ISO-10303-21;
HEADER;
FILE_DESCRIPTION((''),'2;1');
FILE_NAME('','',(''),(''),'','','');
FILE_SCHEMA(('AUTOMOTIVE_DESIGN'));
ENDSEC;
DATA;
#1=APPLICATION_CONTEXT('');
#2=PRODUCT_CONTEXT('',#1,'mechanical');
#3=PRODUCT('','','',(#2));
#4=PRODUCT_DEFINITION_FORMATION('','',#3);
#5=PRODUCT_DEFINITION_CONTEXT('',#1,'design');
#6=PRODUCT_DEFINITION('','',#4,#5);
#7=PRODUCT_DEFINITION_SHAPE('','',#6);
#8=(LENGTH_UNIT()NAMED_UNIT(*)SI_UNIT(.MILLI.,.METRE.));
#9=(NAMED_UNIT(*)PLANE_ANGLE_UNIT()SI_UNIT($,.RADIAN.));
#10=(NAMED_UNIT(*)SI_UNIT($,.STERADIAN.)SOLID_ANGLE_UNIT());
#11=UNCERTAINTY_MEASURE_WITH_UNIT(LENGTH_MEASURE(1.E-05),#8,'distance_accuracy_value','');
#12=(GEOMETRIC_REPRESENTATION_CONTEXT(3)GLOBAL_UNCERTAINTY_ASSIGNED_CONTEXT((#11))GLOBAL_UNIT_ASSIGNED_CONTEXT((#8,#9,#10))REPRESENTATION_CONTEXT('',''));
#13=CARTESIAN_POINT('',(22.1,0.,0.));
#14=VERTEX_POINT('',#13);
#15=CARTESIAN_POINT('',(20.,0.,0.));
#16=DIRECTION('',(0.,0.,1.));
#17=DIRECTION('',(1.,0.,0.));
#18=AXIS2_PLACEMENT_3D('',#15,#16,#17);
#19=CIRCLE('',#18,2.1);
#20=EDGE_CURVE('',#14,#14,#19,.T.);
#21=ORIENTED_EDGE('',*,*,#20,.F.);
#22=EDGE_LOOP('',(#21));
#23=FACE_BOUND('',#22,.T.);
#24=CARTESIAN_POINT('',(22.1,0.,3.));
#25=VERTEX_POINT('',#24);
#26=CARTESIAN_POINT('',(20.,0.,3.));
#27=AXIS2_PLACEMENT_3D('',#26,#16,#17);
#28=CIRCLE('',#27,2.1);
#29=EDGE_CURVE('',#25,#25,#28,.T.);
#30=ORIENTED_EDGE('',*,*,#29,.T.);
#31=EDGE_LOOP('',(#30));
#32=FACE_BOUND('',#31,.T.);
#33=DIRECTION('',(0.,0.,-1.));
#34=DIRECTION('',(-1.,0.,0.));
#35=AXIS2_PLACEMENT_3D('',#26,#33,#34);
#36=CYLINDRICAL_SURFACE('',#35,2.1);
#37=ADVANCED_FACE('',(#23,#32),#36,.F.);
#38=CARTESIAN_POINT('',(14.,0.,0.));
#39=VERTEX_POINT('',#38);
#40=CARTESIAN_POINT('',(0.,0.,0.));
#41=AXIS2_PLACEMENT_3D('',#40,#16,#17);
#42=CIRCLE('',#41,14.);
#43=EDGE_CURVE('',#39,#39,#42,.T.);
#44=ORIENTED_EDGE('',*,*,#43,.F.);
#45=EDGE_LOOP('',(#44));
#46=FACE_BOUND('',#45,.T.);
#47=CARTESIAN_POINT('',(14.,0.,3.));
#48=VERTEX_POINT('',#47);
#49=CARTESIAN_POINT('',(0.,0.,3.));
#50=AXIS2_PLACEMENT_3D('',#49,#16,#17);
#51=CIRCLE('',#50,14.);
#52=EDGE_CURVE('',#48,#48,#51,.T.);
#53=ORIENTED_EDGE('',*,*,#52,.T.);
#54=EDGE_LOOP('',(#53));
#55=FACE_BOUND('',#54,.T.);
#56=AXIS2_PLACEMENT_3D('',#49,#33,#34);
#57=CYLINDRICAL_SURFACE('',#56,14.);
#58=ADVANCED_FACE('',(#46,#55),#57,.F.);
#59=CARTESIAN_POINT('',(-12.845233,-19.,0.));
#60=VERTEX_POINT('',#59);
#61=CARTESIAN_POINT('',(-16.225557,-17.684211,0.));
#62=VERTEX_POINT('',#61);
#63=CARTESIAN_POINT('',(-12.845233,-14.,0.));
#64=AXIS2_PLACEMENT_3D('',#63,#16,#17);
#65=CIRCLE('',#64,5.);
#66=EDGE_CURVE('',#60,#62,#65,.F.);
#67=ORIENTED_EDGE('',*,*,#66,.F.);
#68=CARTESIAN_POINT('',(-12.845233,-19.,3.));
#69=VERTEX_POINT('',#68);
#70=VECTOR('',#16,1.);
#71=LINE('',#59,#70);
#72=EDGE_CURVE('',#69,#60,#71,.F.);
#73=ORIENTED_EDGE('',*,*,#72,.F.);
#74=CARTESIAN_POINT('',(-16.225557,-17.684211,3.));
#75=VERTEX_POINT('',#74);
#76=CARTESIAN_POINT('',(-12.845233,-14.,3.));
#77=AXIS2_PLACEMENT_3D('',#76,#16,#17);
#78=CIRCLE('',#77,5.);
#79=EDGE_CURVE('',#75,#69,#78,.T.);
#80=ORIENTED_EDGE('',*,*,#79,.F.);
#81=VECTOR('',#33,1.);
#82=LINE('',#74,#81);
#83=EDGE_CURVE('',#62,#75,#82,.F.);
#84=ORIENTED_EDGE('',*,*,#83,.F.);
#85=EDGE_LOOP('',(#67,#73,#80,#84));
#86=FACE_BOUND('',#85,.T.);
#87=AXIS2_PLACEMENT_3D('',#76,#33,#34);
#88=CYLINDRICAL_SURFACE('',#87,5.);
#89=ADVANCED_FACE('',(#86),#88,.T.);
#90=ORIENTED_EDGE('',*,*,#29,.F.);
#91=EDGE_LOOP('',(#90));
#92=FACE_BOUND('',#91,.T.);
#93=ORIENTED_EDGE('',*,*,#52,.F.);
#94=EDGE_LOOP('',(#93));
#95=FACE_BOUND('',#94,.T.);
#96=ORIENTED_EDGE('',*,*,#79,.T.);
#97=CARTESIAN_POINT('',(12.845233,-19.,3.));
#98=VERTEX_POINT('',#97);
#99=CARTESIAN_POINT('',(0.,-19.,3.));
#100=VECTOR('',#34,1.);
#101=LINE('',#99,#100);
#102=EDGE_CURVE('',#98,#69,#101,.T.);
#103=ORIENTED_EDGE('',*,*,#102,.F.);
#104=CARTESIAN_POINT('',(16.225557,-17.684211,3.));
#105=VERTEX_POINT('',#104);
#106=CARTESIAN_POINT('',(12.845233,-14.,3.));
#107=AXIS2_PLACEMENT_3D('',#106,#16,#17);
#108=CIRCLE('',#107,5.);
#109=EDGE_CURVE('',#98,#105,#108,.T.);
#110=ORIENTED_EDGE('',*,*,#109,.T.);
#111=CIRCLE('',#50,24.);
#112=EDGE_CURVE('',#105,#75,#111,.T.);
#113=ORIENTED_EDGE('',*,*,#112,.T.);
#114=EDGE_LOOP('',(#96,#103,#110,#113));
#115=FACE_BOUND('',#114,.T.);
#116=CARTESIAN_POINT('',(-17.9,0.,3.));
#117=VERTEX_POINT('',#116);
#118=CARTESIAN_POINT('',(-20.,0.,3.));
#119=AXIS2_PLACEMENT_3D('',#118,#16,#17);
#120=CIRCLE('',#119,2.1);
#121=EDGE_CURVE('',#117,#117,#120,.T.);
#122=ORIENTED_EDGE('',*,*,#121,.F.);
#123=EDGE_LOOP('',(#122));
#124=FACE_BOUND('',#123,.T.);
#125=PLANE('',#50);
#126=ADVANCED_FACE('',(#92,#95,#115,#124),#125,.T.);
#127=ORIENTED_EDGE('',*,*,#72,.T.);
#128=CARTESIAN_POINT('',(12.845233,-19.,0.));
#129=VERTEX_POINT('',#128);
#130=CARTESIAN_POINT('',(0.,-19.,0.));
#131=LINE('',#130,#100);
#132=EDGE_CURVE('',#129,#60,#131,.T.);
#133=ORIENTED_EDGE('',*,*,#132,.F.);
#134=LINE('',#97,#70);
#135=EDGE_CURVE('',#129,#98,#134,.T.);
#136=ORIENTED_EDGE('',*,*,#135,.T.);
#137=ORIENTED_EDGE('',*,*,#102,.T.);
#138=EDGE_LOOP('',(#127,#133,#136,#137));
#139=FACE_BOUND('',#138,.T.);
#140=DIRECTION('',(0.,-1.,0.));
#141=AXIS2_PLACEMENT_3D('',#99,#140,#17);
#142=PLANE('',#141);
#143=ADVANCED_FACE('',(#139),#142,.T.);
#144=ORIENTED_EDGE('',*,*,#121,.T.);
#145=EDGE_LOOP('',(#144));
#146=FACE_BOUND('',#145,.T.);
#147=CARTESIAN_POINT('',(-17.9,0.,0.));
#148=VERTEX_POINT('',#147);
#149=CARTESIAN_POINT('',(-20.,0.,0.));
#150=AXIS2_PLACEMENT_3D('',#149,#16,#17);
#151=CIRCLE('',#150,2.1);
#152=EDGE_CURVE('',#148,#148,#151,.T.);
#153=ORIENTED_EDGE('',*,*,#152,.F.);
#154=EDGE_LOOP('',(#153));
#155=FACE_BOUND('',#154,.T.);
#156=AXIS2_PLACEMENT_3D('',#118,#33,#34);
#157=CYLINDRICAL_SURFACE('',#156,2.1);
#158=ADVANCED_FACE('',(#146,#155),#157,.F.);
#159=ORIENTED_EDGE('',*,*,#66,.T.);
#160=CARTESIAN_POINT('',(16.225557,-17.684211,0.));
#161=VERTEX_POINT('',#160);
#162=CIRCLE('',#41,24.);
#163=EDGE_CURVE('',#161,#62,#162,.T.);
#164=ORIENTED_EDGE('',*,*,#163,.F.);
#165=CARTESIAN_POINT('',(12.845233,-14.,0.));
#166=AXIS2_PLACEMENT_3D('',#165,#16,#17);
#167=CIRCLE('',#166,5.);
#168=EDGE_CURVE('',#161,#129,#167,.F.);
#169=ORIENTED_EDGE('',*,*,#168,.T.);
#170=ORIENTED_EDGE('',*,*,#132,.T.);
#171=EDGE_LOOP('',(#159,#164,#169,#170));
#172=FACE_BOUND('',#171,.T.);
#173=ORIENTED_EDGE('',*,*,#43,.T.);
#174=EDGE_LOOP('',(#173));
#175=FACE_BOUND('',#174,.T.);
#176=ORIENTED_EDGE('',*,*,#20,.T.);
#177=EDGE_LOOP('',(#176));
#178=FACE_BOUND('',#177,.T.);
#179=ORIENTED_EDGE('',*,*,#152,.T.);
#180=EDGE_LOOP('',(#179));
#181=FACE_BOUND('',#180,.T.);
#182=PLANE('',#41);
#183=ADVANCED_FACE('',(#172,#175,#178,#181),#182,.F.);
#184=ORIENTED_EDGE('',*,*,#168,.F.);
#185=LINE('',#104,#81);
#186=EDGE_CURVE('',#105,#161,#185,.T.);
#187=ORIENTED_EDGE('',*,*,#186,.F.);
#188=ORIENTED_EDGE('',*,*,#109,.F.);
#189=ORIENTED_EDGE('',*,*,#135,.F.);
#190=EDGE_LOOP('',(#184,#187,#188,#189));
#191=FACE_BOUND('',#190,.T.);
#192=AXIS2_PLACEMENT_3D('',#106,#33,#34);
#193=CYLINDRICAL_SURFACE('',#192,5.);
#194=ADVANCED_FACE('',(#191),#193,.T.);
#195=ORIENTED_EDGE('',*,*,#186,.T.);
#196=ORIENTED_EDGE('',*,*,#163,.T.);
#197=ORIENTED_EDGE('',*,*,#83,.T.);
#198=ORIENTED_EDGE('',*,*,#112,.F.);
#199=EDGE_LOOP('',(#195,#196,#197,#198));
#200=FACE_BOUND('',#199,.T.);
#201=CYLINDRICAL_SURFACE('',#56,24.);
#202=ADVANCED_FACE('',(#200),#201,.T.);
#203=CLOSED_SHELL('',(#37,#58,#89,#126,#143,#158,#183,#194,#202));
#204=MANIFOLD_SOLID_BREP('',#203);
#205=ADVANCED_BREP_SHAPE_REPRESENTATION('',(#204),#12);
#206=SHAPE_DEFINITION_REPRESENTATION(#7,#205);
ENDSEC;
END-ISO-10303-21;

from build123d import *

# Parameters (mm, degrees)
ESBO_O1_R                = 2.1
ESBO_O1_R_2              = 14
RESSALTO_EXTRUS_O1_DEPTH = 3
FILETE1_R                = 5


with BuildPart() as part:
    # Esboço1 → Ressalto-extrusão1 (new body)
    with BuildSketch(Plane.XY):
        with BuildLine():
            Line((-14.662878299, -19), (14.662878299, -19))
            ThreePointArc((14.662878299, -19), (21.539603979, -10.585152829), (24, 0))
            ThreePointArc((24, 0), (-10.585152829, 21.539603979), (-14.662878299, -19))
        make_face()
        with Locations((-20, 0)):
            Circle(ESBO_O1_R, mode=Mode.SUBTRACT)
        Circle(ESBO_O1_R_2, mode=Mode.SUBTRACT)
        with Locations((20, 0)):
            Circle(ESBO_O1_R, mode=Mode.SUBTRACT)
    extrude(amount=RESSALTO_EXTRUS_O1_DEPTH)

    # Filete1
    filete1_edges = [part.edges().sort_by_distance(p)[0] for p in [
        (-14.662878299, -19, 1.5),
        (14.662878299, -19, 1.5),
    ]]
    fillet(filete1_edges, radius=FILETE1_R)


solid = part.part
